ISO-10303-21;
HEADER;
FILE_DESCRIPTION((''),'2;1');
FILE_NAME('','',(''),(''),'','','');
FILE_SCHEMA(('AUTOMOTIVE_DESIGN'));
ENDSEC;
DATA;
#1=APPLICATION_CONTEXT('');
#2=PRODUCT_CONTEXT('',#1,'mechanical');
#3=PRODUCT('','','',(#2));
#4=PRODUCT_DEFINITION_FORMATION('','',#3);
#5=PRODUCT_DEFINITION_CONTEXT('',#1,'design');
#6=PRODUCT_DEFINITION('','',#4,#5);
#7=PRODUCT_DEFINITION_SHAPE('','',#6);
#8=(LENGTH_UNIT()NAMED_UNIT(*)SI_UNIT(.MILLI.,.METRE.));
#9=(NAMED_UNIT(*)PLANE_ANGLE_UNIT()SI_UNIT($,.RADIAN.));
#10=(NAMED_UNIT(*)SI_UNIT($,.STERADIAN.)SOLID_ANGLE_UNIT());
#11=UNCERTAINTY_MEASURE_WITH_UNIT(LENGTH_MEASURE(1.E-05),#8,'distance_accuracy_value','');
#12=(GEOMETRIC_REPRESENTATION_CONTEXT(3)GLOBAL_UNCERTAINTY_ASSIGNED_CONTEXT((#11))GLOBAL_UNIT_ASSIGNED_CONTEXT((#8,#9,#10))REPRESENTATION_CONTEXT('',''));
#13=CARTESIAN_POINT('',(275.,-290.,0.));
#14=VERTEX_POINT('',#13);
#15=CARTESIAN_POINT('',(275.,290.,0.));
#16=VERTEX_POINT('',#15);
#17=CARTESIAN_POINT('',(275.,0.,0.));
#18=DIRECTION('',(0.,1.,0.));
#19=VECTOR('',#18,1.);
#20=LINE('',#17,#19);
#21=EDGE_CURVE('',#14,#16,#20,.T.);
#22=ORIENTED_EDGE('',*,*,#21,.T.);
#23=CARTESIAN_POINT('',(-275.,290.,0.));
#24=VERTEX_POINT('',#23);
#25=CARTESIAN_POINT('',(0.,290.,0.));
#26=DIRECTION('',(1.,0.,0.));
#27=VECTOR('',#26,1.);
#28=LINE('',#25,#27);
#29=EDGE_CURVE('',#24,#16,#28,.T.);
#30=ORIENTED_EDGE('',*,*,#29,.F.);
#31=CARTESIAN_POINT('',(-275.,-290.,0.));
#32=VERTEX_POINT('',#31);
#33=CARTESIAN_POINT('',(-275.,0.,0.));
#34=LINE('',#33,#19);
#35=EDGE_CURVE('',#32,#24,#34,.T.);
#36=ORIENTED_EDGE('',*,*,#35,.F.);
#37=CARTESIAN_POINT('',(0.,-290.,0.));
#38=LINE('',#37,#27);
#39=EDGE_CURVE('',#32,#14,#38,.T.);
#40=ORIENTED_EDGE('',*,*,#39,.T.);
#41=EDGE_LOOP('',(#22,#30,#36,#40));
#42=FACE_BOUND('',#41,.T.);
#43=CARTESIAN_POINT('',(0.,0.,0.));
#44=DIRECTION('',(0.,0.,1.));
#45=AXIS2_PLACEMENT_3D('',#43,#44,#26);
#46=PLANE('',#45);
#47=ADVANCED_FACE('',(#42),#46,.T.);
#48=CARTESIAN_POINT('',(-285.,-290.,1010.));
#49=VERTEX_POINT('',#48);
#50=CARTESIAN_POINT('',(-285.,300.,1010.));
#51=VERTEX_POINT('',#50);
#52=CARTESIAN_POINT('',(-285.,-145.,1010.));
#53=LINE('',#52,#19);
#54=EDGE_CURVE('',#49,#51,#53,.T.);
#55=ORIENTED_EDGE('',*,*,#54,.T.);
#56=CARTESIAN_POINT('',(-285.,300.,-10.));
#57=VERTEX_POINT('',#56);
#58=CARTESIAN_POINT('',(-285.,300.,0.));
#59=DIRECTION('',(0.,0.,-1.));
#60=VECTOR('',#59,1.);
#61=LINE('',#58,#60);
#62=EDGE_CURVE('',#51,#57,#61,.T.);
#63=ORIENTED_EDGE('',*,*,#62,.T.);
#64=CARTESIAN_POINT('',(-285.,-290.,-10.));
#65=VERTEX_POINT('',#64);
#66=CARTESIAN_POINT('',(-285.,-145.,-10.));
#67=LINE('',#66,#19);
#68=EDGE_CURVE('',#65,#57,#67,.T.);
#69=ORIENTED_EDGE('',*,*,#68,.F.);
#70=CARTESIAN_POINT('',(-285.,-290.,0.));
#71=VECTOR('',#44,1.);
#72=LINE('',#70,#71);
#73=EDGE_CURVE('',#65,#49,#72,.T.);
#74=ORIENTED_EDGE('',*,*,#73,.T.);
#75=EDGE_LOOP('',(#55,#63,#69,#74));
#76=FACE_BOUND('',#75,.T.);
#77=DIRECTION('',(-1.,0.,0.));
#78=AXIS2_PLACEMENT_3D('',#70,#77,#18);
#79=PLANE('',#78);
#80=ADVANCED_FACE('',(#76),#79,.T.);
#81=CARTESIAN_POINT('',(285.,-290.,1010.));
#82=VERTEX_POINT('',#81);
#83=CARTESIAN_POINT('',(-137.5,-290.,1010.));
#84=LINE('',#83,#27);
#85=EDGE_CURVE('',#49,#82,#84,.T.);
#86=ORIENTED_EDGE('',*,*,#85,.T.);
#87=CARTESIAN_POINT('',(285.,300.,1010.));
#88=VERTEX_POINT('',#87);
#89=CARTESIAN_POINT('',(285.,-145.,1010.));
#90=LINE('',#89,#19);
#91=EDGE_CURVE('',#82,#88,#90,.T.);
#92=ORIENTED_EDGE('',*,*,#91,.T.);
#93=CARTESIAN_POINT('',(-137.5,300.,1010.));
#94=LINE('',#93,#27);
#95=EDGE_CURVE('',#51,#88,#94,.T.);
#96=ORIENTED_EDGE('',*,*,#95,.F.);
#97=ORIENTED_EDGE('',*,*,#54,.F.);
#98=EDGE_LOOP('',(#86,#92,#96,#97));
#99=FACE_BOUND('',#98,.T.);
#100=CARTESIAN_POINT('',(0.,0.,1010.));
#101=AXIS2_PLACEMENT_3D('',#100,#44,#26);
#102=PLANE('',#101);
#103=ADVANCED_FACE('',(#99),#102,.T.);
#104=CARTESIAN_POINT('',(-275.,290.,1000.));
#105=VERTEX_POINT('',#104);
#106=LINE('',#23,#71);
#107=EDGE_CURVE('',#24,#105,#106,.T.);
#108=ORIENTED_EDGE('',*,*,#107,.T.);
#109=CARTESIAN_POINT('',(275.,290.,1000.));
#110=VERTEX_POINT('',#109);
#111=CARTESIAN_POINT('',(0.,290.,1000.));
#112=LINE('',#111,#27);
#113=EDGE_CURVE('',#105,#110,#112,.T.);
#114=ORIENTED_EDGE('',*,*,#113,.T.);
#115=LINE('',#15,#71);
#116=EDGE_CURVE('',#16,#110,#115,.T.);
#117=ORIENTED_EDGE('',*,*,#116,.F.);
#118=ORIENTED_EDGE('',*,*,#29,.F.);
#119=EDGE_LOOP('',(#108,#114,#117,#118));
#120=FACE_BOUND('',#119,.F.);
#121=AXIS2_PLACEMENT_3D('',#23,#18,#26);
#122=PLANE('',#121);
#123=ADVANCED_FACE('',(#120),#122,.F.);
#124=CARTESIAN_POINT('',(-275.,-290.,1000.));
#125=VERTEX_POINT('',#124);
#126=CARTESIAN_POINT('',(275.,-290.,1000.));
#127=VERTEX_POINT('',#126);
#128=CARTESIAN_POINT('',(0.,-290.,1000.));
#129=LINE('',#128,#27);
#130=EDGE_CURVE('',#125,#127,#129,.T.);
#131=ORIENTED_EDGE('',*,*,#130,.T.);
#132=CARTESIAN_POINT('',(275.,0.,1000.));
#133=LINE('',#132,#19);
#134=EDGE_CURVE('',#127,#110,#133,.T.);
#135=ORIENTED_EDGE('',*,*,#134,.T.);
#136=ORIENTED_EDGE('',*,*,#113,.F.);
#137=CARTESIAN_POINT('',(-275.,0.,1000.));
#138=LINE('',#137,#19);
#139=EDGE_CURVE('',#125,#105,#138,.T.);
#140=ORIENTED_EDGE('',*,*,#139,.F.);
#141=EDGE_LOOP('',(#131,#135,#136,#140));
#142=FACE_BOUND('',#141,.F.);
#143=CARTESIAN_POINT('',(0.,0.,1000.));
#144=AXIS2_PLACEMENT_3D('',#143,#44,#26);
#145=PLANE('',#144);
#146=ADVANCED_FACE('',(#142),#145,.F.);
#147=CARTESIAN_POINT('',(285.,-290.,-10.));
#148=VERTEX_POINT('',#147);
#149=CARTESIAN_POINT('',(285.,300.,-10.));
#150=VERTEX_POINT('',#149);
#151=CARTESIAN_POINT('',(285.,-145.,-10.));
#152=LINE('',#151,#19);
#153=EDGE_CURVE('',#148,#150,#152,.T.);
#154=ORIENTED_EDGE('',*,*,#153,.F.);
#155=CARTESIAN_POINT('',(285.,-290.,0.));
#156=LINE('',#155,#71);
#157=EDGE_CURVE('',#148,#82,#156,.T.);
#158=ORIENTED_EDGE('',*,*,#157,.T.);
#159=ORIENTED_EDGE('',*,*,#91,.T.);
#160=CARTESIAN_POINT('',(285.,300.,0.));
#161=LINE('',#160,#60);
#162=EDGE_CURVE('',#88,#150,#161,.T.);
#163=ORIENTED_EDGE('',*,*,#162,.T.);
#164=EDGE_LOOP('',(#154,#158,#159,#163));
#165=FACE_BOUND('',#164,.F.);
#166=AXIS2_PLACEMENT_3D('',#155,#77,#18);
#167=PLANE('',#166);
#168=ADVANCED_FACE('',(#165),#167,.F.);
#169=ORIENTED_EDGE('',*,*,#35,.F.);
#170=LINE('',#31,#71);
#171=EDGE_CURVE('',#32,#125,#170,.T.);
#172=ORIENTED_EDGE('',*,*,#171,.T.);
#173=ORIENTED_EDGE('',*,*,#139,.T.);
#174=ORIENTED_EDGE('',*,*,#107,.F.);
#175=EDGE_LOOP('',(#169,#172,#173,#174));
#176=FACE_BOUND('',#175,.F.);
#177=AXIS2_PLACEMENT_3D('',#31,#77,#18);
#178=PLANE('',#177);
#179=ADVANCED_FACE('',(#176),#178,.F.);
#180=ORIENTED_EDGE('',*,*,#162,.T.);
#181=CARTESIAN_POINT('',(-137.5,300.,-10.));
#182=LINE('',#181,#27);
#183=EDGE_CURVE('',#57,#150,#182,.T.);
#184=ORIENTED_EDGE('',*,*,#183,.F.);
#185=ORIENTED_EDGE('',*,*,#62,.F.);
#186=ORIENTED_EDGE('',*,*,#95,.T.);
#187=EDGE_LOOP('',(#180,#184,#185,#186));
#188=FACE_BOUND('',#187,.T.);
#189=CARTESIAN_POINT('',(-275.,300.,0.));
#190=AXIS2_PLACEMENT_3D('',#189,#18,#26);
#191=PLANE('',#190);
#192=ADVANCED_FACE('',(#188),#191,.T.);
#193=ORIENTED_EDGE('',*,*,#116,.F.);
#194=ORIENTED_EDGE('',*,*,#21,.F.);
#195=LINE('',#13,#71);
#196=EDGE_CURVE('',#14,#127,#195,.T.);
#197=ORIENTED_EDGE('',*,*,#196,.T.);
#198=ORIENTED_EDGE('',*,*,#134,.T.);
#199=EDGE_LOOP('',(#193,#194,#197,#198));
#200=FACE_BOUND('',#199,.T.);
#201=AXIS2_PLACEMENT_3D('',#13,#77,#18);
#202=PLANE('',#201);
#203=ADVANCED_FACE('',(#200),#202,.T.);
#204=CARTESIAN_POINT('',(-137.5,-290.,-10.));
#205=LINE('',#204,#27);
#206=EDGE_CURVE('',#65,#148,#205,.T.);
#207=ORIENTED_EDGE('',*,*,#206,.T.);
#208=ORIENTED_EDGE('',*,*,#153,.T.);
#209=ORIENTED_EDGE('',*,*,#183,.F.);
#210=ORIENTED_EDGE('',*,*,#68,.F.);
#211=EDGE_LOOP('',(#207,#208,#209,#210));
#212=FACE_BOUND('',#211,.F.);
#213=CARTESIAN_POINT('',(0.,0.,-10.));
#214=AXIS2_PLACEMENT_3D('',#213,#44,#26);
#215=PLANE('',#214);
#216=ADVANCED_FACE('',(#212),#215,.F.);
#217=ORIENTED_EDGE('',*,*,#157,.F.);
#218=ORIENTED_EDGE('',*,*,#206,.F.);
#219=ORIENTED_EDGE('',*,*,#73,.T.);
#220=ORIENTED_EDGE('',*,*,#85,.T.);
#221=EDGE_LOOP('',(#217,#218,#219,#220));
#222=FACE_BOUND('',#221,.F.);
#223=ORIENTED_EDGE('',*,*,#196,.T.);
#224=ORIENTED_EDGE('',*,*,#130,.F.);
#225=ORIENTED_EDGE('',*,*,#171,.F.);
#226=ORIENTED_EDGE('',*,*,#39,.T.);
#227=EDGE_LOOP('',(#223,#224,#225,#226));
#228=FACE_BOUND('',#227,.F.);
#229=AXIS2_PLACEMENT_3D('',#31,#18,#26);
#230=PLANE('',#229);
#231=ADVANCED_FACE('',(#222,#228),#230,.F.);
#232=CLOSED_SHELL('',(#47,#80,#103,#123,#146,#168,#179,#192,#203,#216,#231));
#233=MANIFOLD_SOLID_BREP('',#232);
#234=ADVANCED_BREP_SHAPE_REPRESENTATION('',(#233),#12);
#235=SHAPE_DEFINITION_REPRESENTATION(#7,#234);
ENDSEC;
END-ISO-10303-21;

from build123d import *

# Parameters (mm, degrees)
F0_W     = 550
F0_H     = 580
F1_DEPTH = 1000
F2_T     = 10


with BuildPart() as f1:
    # F0 (on Top) → F1 (new body)
    with BuildSketch(Plane.XY):
        Rectangle(F0_W, F0_H)
    extrude(amount=F1_DEPTH)

    # F2
    f2_openings = [f1.faces().sort_by_distance(p)[0] for p in [
        (0, -290, 500),
    ]]
    offset(amount=F2_T, openings=f2_openings, kind=Kind.INTERSECTION)


solid = f1.part
